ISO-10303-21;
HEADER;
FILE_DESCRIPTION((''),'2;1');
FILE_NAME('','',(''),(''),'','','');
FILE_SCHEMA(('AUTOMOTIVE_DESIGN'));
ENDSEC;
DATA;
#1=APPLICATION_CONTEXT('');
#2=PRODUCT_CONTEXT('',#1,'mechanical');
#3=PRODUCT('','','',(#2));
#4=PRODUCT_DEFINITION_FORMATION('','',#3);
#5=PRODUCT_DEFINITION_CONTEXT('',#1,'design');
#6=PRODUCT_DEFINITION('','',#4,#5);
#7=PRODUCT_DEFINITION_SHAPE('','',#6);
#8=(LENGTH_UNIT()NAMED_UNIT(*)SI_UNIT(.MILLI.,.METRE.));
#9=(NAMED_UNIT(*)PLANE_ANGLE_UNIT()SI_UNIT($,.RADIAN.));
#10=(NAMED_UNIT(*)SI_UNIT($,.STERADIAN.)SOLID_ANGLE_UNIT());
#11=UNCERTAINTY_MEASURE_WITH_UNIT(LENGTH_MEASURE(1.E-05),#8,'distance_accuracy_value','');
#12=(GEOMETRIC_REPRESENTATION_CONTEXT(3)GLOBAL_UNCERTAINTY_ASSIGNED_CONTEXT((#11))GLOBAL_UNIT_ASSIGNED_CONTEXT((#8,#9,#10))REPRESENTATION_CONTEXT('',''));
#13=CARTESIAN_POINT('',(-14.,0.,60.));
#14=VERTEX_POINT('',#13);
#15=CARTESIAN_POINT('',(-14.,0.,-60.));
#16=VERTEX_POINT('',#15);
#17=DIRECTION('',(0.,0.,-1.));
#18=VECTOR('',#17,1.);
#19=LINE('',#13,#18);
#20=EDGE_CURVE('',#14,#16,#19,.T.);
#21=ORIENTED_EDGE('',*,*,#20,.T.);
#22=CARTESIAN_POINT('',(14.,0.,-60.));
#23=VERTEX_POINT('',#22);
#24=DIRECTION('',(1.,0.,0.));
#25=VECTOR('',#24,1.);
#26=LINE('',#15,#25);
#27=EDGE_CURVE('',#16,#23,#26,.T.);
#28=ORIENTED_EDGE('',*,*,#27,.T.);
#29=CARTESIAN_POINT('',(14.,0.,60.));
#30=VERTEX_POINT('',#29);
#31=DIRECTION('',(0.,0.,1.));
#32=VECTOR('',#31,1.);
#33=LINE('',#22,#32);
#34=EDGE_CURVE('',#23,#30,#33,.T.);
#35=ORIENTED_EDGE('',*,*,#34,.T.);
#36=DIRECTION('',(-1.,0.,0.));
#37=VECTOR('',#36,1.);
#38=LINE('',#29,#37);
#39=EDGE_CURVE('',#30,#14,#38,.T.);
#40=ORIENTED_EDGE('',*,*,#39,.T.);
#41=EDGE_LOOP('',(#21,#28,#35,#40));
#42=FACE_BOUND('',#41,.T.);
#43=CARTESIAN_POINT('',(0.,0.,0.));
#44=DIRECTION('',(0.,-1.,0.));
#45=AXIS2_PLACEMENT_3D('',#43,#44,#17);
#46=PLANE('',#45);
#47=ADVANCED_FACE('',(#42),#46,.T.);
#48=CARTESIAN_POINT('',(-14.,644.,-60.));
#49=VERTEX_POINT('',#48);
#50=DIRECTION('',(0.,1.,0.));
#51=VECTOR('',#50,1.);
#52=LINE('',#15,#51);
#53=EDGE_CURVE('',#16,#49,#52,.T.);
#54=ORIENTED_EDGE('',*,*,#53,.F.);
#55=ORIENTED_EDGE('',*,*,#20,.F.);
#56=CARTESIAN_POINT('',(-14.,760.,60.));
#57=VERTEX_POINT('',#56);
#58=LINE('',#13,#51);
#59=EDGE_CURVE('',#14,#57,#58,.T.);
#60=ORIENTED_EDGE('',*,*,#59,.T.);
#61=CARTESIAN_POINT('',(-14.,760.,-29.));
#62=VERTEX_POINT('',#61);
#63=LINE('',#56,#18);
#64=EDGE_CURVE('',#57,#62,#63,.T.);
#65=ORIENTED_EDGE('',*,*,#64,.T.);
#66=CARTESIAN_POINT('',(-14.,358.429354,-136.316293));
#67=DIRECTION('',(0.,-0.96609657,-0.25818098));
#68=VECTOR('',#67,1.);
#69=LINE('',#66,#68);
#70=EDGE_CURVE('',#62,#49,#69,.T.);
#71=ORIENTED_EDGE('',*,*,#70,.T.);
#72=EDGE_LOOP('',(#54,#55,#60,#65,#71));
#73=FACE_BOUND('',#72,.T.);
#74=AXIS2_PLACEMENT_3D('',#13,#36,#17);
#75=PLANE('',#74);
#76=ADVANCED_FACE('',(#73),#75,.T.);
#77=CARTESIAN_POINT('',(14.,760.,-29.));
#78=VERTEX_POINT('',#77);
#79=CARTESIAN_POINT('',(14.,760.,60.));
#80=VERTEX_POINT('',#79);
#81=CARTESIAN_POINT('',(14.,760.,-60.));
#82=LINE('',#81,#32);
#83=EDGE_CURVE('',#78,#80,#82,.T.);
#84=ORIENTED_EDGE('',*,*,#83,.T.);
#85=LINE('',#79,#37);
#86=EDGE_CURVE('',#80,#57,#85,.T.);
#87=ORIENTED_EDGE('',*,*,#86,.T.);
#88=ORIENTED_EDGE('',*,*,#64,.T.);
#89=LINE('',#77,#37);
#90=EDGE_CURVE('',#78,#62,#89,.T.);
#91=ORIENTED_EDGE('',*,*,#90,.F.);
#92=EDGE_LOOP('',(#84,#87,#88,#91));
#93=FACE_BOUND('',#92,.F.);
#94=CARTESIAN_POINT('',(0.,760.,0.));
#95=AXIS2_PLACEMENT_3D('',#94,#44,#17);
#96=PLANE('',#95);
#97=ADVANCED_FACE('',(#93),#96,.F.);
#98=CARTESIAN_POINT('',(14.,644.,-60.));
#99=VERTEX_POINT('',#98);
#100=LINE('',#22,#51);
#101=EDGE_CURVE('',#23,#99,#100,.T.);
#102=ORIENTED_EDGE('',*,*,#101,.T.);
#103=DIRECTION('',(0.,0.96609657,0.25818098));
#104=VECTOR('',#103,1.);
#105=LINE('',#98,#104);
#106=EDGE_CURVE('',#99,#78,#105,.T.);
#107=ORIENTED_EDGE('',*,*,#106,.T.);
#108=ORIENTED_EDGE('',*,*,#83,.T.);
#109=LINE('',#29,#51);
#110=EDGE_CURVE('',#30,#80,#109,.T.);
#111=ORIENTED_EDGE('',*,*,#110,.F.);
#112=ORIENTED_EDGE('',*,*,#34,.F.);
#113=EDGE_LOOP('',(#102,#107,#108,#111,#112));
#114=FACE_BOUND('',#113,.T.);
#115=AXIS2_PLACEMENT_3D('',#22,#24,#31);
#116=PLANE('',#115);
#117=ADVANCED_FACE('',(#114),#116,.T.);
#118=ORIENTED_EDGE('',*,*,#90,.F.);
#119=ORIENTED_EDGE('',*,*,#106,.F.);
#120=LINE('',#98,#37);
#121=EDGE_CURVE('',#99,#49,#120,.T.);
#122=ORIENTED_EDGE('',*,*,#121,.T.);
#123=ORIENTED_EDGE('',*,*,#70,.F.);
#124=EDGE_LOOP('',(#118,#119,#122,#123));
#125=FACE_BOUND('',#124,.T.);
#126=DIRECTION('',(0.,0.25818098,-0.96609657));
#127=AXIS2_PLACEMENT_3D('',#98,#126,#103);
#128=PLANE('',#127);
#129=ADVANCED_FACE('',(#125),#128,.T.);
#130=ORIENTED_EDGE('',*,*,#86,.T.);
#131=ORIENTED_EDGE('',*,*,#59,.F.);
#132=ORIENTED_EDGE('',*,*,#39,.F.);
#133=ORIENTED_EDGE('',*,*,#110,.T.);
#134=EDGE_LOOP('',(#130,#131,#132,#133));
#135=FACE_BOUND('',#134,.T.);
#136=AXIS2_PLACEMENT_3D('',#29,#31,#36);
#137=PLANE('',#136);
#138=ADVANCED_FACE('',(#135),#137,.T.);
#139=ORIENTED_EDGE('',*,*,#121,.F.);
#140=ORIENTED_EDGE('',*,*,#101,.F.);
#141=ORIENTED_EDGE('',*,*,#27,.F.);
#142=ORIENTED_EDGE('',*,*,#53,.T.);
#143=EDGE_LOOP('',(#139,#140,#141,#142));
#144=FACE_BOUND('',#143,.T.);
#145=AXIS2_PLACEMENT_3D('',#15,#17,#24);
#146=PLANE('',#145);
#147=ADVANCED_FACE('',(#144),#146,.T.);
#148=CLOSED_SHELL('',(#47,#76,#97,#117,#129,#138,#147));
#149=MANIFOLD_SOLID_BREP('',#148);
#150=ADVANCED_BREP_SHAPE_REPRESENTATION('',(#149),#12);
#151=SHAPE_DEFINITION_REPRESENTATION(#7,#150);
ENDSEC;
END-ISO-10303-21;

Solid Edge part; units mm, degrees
sketch "Sketch1" plane through (0, 0, 0) normal (0, -1, 0) x (1, 0, 0)
  line L0 (-14, -60) -> (14, -60)
  line L1 (14, -60) -> (14, 60)
  line L2 (14, 60) -> (-14, 60)
  line L3 (-14, 60) -> (-14, -60)
extrude "Protrusion1" add sketch "Sketch1" against normal blind 760
sketch "Sketch2" plane through (14, 380, 0) normal (1, 0, 0) x (0, 1, 0)
  line L0 (380, -60) -> (380, -29)
  line L1 (264, -60) -> (380, -29)
  line L2 (380, -60) -> (264, -60)
extrude "ExtrudedCutout_1" cut sketch "Sketch2" against normal blind 240.6223
properties material "Wood, Pine"
